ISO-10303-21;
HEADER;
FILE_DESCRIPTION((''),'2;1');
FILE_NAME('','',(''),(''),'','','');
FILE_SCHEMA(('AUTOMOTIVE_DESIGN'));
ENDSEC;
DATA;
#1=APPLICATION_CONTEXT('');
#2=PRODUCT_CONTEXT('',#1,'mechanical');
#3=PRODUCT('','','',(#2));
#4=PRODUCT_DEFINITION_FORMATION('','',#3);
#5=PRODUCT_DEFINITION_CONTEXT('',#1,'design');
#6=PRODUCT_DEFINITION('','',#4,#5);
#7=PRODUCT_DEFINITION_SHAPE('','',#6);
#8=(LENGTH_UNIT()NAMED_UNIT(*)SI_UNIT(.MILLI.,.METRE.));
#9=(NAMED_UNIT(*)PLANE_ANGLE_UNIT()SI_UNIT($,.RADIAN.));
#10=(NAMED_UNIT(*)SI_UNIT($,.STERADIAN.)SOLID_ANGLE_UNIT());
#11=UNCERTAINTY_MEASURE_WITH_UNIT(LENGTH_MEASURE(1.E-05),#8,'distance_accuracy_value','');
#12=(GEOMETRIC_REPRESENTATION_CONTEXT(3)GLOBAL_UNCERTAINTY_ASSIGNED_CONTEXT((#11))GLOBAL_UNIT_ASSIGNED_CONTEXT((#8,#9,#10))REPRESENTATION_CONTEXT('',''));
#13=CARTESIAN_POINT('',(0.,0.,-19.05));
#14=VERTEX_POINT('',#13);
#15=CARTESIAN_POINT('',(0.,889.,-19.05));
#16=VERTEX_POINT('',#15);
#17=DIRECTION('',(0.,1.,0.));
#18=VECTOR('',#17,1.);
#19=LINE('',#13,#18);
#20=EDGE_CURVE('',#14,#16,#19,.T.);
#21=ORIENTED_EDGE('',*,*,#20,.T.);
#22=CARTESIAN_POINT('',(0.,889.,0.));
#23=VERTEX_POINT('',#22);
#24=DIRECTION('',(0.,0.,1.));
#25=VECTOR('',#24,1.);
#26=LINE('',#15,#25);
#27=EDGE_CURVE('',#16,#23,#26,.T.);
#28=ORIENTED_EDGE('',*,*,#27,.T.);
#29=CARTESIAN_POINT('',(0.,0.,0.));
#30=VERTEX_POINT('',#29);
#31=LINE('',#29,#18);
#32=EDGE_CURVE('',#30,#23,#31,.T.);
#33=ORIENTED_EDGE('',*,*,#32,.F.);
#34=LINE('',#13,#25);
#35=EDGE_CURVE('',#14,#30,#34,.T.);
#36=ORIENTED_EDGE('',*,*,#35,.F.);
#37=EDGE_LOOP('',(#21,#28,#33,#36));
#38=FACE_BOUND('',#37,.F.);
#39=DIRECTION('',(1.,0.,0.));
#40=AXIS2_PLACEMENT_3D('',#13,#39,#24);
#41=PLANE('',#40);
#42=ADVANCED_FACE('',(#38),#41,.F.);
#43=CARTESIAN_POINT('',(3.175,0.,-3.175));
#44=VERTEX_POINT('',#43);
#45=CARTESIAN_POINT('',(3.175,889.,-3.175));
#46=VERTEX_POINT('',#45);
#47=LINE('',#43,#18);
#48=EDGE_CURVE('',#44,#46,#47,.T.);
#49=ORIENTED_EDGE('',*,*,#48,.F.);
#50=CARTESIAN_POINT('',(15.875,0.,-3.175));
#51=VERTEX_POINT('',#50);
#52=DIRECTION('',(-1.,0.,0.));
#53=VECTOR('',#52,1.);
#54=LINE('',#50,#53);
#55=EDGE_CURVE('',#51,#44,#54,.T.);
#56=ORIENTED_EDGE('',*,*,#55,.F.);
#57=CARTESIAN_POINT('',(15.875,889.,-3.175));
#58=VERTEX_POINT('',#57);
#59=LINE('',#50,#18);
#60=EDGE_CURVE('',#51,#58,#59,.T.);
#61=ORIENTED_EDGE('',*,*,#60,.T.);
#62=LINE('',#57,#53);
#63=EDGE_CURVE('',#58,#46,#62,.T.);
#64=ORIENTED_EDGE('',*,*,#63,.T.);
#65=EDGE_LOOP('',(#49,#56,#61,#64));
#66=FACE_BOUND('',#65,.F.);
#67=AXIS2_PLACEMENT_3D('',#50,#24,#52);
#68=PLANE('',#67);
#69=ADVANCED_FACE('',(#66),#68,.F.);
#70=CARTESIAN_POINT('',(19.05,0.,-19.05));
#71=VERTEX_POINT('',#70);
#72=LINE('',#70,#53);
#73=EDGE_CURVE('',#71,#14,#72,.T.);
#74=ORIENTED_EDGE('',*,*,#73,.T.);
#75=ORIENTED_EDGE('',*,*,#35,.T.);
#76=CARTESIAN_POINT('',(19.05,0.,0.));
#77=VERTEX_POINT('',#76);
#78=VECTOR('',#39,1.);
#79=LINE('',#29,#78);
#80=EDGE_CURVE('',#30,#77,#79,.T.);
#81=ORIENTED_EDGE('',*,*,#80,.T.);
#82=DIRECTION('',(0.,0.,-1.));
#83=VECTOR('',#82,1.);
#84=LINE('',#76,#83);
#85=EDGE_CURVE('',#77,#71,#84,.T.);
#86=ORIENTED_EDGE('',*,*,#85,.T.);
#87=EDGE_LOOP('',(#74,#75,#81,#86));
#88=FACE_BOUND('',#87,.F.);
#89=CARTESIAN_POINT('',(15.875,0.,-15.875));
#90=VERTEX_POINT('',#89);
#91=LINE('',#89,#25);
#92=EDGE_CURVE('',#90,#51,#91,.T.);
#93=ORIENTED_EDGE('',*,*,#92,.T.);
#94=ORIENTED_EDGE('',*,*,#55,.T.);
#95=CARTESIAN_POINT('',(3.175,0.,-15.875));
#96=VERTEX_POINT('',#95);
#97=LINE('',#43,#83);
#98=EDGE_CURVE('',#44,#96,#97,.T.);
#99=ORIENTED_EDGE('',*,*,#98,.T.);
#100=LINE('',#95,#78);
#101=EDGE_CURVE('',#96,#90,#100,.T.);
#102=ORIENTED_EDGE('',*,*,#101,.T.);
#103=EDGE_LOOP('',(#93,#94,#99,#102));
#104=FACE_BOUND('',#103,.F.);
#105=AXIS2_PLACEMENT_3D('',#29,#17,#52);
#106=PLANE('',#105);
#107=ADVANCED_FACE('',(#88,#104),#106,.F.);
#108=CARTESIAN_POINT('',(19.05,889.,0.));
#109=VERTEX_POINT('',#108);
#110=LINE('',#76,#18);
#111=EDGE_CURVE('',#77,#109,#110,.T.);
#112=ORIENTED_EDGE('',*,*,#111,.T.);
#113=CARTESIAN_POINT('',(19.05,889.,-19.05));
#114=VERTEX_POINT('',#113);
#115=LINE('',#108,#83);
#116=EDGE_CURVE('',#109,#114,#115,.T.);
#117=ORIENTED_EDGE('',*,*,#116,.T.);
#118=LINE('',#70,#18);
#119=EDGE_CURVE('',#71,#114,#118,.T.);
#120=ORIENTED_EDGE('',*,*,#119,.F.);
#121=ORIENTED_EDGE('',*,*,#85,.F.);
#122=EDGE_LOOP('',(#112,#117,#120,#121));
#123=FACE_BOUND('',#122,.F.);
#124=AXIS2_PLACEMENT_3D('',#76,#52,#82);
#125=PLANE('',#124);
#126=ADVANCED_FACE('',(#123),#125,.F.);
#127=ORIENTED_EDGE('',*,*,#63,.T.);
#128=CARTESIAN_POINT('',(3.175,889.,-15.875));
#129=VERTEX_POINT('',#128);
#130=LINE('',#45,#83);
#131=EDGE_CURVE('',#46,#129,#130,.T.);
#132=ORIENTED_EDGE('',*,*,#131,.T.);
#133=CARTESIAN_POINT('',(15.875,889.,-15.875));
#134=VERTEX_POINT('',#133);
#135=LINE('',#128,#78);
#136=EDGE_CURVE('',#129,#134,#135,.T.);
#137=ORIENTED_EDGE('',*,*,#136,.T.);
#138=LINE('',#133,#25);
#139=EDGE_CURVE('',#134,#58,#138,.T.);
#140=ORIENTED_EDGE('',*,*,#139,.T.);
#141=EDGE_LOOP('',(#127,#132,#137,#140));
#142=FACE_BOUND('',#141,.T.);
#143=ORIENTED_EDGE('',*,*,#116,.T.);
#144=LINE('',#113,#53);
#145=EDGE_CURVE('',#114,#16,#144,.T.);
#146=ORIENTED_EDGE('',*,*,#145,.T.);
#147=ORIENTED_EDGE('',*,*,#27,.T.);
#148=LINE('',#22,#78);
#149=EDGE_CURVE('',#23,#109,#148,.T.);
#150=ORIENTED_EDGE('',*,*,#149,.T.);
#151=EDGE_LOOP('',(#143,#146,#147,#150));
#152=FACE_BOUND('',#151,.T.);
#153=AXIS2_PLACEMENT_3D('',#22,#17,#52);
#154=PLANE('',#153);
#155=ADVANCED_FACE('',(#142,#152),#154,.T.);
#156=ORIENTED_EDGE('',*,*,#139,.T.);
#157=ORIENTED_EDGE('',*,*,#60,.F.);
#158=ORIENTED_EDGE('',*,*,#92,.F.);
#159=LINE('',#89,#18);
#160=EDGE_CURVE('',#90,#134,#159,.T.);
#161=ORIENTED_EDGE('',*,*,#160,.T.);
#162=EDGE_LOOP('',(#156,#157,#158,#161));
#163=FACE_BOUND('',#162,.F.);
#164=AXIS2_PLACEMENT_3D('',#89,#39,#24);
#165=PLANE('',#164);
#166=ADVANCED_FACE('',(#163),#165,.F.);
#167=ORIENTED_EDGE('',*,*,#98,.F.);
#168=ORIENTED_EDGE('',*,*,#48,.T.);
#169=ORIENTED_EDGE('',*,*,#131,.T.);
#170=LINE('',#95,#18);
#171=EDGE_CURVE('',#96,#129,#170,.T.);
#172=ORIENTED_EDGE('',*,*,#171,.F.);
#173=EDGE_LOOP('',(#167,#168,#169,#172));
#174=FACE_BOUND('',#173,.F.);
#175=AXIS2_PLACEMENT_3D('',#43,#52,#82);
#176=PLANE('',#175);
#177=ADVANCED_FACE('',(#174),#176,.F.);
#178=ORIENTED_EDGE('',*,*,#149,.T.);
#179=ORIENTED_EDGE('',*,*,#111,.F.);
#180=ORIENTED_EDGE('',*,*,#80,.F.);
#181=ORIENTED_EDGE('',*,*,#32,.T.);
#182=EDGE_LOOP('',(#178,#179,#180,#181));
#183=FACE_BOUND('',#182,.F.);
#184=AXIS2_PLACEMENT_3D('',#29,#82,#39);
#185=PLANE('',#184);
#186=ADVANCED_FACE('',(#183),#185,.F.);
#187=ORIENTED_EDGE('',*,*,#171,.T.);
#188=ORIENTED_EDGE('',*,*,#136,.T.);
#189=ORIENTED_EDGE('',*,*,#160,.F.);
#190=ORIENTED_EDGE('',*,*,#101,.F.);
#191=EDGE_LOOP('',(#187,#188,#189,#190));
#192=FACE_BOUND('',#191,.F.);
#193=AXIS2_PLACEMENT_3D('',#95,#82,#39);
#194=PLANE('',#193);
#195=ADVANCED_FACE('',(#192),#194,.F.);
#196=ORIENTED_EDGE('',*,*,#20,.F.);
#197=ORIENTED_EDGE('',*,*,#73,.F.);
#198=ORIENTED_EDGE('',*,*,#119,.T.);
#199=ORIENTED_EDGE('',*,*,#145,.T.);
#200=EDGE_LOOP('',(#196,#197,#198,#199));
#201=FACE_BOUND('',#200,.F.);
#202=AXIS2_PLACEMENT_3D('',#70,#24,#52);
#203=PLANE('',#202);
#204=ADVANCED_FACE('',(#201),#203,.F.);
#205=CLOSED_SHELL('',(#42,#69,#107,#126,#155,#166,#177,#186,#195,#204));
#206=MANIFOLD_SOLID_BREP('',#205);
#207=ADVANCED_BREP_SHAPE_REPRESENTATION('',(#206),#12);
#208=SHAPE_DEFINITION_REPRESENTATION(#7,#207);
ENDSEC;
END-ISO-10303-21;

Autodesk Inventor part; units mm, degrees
ref_plane "YZ Plane" through (0, 0, 0) normal (1, 0, 0) x (0, 1, 0)
ref_plane "XZ Plane" through (0, 0, 0) normal (0, 1, 0) x (-1, 0, 0)
ref_plane "XY Plane" through (0, 0, 0) normal (0, 0, 1) x (1, 0, 0)
sketch "Sketch1" plane through (0, 0, 0) normal (0, 1, 0) x (-1, 0, 0)
  line L0 (0, 0) -> (-19.05, 0)
  line L1 (-19.05, 0) -> (-19.05, -19.05)
  line L2 (-19.05, -19.05) -> (0, -19.05)
  line L3 (0, -19.05) -> (0, 0)
  line L4 (-3.175, -15.875) -> (-15.875, -15.875)
  line L5 (-15.875, -15.875) -> (-15.875, -3.175)
  line L6 (-15.875, -3.175) -> (-3.175, -3.175)
  line L7 (-3.175, -3.175) -> (-3.175, -15.875)
  dimension "d0" = 19.05
  dimension "d1" = 19.05
  dimension "d2" = 3.175
extrude "Extrusion1" add sketch "Sketch1" along normal blind 889
properties part number "Chasis Long Length 2" material "Aluminum 6061"
